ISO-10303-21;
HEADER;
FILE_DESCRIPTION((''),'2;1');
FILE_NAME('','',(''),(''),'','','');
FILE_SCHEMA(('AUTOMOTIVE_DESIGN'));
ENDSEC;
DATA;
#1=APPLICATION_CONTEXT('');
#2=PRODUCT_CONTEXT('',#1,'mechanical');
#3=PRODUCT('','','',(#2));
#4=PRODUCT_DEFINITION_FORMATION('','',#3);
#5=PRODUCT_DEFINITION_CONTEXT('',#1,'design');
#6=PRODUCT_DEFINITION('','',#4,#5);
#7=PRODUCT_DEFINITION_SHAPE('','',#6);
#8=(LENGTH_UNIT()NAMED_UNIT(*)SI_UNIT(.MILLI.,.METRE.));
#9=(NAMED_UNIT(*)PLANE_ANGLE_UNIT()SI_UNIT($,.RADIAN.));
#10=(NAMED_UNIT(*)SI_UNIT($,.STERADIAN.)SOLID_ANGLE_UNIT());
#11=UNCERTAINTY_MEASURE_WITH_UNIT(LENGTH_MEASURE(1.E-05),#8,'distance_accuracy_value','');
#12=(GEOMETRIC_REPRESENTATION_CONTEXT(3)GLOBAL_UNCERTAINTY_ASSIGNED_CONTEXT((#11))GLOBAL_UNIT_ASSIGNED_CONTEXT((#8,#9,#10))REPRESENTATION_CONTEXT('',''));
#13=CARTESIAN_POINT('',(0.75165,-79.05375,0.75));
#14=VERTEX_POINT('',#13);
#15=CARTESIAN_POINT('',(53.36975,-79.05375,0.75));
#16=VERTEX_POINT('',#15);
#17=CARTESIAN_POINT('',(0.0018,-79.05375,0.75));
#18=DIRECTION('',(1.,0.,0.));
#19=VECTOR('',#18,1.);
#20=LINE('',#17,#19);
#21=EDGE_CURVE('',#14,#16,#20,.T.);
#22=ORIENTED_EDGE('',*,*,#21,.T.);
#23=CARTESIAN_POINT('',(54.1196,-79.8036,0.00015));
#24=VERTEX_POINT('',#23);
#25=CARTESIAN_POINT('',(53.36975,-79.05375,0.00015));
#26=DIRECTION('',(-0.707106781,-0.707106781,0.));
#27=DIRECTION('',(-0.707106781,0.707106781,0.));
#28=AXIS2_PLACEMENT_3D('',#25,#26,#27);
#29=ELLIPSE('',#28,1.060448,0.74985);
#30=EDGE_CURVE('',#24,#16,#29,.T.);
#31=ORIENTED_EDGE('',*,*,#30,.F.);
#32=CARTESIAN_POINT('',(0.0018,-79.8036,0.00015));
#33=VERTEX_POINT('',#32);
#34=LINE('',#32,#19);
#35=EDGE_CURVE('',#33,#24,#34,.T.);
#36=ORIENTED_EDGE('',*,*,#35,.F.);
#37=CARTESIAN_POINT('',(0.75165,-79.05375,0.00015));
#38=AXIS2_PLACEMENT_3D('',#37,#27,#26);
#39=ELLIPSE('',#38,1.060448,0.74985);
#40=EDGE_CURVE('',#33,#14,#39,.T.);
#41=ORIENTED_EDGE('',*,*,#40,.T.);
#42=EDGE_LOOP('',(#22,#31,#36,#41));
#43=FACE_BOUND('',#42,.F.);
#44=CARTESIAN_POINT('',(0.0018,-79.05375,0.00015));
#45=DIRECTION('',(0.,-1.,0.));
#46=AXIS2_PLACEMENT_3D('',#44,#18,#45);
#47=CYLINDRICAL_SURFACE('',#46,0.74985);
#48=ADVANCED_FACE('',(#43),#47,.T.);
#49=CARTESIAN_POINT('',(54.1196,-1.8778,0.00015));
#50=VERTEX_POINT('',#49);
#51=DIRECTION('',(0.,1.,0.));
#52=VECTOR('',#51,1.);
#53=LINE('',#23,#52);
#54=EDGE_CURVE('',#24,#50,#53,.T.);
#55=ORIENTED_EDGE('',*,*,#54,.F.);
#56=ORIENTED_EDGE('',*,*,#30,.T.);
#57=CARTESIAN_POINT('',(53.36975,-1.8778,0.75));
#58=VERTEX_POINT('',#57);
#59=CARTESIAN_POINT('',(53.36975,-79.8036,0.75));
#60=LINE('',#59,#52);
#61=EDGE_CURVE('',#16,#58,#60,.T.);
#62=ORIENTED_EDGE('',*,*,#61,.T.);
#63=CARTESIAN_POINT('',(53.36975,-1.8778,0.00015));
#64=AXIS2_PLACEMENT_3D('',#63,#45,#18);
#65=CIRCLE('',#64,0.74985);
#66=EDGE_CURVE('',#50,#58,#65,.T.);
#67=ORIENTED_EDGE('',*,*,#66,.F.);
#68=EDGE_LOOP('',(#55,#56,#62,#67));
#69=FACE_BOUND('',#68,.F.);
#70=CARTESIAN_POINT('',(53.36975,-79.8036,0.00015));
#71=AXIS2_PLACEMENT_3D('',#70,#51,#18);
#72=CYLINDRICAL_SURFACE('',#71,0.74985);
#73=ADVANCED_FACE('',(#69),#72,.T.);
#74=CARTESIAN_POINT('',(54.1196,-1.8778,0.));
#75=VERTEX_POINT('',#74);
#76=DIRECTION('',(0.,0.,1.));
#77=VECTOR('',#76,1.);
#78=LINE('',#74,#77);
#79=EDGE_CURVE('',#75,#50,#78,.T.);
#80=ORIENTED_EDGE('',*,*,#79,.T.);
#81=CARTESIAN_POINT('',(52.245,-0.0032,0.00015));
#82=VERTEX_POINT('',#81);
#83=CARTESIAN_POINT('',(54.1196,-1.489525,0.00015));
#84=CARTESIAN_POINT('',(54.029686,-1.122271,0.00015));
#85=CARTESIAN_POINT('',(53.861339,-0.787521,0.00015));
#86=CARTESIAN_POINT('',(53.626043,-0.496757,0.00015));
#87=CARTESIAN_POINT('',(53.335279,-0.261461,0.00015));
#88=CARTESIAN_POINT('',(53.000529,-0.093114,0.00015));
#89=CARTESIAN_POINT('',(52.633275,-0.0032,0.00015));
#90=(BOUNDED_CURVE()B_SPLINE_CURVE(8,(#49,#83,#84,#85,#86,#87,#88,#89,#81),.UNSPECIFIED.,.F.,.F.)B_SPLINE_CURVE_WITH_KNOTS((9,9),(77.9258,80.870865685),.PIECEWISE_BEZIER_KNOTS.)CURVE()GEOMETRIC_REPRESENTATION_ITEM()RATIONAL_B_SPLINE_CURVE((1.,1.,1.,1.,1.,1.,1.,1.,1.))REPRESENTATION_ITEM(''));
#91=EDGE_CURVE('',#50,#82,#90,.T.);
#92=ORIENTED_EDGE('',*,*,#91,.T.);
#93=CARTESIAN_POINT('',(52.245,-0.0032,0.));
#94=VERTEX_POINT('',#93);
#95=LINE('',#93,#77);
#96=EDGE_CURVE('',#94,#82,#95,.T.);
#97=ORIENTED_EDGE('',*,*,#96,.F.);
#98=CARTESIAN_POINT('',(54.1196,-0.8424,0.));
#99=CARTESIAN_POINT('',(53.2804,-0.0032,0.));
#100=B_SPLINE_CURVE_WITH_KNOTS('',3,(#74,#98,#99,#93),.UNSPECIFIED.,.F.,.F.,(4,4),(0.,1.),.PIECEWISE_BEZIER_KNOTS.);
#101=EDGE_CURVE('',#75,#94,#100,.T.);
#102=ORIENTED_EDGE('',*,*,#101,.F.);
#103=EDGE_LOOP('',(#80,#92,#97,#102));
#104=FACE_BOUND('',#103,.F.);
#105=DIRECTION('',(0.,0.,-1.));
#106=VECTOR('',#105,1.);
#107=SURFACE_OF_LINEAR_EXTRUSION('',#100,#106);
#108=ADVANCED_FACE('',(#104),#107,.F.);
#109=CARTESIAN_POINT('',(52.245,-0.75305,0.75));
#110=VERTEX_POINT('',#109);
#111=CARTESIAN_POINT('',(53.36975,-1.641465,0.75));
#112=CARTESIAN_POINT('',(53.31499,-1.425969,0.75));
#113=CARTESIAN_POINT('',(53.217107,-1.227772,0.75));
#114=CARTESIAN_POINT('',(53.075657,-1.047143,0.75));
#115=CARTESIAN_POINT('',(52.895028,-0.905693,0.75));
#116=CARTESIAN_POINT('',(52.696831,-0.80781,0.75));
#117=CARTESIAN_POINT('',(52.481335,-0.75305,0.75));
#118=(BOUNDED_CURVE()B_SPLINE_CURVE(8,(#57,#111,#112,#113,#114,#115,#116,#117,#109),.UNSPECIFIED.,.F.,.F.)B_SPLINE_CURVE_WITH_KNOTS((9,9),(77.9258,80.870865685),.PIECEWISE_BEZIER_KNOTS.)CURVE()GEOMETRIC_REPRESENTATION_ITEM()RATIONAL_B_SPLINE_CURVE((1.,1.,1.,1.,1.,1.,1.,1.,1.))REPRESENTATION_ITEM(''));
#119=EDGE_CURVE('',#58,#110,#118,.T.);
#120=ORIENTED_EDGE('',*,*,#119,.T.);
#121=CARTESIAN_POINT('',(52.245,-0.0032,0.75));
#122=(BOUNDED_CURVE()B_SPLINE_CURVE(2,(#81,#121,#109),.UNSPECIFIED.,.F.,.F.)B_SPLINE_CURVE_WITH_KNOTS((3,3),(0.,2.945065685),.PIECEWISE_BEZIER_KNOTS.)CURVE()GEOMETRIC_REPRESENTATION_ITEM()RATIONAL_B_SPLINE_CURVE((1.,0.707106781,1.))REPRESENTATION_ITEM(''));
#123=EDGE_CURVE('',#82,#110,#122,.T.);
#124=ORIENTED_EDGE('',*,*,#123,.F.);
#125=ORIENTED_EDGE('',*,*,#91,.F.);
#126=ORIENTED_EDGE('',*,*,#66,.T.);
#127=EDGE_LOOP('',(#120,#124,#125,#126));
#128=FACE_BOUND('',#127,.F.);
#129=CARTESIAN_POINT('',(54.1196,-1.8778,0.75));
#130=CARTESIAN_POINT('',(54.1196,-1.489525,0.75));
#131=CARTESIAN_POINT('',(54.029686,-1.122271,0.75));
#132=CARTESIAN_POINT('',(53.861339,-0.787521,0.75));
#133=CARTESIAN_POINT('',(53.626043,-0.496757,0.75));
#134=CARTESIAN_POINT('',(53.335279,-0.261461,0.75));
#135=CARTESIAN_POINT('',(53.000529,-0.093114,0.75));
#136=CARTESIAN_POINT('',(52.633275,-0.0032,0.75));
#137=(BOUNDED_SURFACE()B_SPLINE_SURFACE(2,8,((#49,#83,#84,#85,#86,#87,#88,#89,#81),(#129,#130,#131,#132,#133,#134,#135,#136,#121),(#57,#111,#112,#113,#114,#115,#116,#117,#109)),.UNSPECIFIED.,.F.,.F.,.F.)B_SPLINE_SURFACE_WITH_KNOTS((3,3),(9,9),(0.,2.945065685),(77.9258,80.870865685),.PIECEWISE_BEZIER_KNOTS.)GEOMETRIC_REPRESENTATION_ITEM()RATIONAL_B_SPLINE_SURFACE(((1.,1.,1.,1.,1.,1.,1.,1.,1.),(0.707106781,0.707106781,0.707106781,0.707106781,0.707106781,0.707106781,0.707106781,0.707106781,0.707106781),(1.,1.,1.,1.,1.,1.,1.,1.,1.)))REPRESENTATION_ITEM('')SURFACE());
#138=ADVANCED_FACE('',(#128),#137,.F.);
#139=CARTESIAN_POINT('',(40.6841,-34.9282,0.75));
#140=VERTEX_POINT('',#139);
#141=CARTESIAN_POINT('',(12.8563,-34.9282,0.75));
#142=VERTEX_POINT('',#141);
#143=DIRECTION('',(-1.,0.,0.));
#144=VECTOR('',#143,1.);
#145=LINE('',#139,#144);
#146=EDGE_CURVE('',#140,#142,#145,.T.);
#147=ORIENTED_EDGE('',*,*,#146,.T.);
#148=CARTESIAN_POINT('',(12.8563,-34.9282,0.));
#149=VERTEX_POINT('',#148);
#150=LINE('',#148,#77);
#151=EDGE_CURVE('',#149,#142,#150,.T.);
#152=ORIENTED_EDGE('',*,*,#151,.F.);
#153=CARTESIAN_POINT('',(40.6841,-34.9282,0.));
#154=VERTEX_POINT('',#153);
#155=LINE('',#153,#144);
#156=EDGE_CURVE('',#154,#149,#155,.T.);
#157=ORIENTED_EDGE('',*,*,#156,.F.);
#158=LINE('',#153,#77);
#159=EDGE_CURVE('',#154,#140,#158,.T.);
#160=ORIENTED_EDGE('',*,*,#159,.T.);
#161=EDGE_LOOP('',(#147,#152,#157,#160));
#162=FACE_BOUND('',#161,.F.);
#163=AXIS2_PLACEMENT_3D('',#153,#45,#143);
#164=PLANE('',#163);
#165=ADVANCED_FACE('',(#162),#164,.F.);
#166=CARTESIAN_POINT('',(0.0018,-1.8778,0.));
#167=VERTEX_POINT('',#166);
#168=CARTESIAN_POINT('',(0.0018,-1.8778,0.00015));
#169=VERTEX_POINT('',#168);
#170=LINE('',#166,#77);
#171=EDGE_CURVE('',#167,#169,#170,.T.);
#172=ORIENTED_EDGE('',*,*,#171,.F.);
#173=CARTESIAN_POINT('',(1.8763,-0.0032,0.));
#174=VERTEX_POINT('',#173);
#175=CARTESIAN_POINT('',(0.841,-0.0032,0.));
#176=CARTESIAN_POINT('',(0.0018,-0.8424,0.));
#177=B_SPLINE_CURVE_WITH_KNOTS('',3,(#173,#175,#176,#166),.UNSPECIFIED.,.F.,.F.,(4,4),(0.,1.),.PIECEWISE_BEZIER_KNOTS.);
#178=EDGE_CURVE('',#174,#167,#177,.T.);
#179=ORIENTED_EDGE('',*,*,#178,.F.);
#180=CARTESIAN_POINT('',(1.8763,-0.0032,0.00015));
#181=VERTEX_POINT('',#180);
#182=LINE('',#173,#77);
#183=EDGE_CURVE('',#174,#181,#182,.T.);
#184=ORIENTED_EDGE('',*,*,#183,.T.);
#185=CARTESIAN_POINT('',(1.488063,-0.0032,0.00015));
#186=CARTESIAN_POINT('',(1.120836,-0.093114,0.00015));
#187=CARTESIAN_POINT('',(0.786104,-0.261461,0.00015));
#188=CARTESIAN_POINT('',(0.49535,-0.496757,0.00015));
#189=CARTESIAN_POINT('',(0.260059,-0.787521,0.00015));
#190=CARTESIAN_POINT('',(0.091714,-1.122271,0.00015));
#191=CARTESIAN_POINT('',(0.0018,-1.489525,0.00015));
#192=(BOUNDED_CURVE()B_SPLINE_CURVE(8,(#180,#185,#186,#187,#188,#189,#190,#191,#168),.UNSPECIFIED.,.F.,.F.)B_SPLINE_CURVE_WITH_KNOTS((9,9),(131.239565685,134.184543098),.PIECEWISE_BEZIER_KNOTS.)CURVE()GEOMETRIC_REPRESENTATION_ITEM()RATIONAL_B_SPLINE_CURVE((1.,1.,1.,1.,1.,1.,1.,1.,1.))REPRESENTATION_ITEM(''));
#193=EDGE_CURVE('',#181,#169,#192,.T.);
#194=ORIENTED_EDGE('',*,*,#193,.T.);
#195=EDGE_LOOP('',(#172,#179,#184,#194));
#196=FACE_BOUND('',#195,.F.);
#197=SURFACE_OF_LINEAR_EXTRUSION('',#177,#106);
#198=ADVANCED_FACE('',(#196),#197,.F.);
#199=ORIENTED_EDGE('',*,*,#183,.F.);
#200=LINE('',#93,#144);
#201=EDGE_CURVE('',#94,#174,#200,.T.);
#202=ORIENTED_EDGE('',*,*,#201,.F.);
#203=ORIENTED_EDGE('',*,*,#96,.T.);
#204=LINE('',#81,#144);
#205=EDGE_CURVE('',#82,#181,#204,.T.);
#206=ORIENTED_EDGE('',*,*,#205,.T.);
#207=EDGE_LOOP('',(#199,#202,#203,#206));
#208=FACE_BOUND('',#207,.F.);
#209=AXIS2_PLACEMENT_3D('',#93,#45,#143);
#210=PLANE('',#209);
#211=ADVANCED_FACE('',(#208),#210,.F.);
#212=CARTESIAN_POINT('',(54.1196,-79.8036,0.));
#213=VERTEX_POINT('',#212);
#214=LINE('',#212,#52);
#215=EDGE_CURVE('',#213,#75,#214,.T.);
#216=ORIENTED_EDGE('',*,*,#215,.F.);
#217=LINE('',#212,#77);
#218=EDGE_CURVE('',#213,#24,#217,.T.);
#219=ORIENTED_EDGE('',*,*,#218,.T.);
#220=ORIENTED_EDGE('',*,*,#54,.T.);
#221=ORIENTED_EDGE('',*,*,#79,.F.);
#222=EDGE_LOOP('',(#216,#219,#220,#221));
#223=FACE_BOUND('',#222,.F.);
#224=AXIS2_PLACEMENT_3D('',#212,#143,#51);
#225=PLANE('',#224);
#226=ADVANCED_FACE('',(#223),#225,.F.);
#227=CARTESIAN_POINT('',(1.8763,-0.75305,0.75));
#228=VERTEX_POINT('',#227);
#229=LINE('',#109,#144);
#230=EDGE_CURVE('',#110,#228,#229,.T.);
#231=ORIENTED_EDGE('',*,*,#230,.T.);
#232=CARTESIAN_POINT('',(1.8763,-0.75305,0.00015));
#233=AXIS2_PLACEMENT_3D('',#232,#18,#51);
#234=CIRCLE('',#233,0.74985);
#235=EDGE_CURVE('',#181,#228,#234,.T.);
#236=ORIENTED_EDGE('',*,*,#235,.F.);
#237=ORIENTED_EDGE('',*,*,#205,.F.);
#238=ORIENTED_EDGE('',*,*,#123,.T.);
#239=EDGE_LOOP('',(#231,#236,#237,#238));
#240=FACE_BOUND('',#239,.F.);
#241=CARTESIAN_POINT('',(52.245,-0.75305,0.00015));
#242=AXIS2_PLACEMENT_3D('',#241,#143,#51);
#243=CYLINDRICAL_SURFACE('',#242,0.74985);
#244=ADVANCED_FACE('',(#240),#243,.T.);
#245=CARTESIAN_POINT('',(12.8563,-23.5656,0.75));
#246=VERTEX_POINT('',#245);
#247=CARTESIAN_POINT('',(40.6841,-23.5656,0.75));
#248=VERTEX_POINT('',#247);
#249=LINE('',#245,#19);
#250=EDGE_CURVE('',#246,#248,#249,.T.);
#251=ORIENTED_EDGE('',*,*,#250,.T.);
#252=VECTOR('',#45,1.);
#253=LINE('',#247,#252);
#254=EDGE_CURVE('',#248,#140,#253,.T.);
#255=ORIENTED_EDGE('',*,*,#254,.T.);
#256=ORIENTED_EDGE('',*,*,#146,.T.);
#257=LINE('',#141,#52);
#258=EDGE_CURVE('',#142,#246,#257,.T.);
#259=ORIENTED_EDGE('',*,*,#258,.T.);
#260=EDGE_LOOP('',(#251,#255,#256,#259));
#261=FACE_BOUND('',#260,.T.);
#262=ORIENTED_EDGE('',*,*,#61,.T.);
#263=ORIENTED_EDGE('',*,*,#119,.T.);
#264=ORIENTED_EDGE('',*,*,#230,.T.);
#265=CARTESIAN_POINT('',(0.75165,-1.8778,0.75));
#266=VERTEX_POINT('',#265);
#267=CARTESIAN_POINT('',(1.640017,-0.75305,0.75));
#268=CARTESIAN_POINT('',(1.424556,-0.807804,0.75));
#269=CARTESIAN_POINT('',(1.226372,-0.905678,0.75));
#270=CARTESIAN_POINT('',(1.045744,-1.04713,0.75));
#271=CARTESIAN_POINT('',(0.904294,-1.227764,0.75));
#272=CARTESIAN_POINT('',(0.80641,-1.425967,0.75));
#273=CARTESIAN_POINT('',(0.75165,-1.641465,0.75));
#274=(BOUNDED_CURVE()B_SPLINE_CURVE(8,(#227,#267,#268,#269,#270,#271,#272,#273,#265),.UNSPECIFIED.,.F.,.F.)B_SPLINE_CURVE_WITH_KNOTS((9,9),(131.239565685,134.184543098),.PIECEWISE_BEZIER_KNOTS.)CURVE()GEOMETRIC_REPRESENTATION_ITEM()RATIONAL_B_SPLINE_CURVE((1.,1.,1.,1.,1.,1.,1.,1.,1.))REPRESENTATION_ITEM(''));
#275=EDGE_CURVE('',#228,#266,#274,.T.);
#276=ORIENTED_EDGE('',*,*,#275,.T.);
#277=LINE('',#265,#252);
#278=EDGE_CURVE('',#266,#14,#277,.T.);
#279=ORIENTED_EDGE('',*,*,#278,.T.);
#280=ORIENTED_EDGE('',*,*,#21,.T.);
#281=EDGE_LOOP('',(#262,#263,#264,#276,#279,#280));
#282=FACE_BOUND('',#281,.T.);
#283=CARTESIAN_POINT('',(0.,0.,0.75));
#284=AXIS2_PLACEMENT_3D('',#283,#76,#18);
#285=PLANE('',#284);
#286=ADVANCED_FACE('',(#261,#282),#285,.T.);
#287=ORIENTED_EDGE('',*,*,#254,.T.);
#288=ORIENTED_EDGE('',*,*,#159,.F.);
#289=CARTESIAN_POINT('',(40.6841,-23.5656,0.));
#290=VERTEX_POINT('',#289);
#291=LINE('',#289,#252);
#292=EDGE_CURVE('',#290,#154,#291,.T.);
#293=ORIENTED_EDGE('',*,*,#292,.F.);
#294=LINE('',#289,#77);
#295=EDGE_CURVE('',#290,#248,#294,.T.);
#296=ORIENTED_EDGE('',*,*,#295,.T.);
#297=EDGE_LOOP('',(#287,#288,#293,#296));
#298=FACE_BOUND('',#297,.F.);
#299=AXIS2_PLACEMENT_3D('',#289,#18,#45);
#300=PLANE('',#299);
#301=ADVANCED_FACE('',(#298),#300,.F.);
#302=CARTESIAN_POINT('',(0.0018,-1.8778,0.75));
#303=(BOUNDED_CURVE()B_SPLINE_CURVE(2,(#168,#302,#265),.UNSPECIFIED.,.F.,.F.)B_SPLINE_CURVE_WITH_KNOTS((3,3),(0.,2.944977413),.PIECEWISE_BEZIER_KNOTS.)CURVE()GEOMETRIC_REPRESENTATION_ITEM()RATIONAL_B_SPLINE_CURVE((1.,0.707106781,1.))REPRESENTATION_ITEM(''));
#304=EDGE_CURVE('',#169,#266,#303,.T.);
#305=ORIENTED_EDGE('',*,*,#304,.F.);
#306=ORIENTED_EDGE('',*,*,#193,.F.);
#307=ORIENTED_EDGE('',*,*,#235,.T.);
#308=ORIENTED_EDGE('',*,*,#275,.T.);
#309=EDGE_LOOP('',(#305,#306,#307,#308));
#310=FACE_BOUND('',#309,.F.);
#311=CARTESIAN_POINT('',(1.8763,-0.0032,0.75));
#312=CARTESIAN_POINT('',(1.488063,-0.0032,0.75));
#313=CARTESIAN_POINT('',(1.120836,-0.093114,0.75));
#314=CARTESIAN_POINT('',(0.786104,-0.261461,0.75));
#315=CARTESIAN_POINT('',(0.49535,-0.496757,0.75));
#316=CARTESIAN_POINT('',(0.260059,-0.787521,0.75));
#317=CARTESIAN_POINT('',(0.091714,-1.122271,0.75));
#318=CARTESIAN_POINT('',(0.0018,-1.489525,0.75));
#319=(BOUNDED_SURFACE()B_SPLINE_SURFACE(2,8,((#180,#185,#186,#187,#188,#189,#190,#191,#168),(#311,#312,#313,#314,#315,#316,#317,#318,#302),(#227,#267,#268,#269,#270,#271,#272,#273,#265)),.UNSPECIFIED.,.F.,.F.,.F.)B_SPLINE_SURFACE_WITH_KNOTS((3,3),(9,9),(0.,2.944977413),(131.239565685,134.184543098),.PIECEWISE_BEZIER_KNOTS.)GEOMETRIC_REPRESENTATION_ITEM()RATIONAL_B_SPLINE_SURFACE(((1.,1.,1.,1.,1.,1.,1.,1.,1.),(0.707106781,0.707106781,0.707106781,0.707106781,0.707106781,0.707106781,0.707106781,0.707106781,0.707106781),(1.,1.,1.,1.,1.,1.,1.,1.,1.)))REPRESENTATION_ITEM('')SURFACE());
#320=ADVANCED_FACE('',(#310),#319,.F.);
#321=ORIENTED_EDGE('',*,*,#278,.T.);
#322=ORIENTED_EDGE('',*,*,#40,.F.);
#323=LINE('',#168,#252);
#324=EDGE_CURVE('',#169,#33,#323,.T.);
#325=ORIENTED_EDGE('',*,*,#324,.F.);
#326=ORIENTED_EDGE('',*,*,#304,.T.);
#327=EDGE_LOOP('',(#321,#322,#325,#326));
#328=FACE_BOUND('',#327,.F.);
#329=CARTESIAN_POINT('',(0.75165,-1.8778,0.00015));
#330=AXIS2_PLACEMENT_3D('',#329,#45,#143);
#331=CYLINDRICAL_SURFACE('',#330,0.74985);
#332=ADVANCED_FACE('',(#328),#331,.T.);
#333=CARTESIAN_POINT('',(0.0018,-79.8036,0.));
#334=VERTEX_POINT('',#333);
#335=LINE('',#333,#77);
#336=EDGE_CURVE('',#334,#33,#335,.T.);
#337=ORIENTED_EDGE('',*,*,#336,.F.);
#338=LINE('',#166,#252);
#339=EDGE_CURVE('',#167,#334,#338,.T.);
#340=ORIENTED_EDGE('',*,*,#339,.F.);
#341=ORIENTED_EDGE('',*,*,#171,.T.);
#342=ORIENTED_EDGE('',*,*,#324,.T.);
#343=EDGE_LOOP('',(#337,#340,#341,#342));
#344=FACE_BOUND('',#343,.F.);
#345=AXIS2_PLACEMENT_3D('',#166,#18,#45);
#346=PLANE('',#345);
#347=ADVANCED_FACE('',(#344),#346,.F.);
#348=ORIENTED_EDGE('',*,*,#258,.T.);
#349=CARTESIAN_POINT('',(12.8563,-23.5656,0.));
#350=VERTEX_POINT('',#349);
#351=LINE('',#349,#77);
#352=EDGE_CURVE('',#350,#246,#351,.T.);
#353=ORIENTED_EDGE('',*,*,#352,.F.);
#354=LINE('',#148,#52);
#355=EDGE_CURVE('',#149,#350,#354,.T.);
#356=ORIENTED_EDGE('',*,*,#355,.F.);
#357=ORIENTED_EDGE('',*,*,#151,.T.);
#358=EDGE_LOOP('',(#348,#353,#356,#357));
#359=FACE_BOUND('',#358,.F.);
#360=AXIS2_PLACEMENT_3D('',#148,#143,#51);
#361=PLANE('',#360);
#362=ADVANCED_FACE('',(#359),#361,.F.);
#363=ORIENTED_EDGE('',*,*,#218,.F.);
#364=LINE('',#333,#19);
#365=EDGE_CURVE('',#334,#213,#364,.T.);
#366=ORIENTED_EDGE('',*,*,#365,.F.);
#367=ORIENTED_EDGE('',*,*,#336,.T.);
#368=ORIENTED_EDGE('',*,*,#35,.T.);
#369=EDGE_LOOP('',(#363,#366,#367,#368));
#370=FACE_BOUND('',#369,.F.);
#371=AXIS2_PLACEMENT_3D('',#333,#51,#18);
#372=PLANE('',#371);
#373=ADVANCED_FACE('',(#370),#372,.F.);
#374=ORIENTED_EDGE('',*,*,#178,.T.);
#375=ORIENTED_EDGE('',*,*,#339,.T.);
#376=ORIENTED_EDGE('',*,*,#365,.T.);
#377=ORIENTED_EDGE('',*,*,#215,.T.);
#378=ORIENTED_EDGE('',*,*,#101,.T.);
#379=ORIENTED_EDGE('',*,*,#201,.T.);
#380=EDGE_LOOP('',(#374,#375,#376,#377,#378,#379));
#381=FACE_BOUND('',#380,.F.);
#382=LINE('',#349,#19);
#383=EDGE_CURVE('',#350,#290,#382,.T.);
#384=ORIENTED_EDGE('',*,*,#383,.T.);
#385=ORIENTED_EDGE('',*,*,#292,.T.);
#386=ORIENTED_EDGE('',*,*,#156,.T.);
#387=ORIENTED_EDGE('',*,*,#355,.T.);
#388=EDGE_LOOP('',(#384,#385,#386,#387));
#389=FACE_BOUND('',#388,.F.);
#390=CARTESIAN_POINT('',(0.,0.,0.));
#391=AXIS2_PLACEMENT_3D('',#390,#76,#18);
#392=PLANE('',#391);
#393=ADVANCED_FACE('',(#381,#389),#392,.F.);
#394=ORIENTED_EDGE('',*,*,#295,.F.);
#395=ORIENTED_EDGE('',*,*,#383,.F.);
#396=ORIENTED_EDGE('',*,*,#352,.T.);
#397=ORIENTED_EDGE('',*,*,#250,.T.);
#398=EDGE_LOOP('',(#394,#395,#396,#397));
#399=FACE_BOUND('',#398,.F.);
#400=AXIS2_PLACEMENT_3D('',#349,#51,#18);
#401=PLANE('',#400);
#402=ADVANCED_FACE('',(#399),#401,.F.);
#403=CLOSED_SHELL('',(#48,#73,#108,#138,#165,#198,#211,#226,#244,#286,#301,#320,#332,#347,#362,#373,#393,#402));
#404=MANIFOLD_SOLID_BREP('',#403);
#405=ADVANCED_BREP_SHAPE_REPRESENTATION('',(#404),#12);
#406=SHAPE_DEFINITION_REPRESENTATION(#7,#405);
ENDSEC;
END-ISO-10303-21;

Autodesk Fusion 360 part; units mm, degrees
sketch "Sketch1" plane through (0, 0, 0) normal (0, 0, 1) x (1, 0, 0)
  line L0 (52.245, -0.0032) -> (1.8763, -0.0032)
  spline S0 degree 3 poles (1.8763, -0.0032) (0.841, -0.0032) (0.0018, -0.8424) (0.0018, -1.8778) knots 0 0 0 0 1 1 1 1
  line L1 (0.0018, -1.8778) -> (0.0018, -79.8036)
  line L2 (0.0018, -79.8036) -> (54.1196, -79.8036)
  line L3 (54.1196, -79.8036) -> (54.1196, -1.8778)
  spline S1 degree 3 poles (54.1196, -1.8778) (54.1196, -0.8424) (53.2804, -0.0032) (52.245, -0.0032) knots 0 0 0 0 1 1 1 1
  line L4 (40.6841, -34.9282) -> (12.8563, -34.9282)
  line L5 (12.8563, -34.9282) -> (12.8563, -23.5656)
  line L6 (12.8563, -23.5656) -> (40.6841, -23.5656)
  line L7 (40.6841, -23.5656) -> (40.6841, -34.9282)
extrude "Extrude1" add sketch "Sketch1" along normal blind 0.75
extrude "Extrude2" [suppressed]
fillet "Fillet1" radius 0.75 6 edges at (54.1196, -40.8407, 0.75) (53.5706, -0.5522, 0.75) (27.0607, -0.0032, 0.75) (0.5508, -0.5522, 0.75) (0.0018, -40.8407, 0.75) (27.0607, -79.8036, 0.75)
equation "d9 = 2.25 mm - 1.5 mm"
equation "d14 = d9"
